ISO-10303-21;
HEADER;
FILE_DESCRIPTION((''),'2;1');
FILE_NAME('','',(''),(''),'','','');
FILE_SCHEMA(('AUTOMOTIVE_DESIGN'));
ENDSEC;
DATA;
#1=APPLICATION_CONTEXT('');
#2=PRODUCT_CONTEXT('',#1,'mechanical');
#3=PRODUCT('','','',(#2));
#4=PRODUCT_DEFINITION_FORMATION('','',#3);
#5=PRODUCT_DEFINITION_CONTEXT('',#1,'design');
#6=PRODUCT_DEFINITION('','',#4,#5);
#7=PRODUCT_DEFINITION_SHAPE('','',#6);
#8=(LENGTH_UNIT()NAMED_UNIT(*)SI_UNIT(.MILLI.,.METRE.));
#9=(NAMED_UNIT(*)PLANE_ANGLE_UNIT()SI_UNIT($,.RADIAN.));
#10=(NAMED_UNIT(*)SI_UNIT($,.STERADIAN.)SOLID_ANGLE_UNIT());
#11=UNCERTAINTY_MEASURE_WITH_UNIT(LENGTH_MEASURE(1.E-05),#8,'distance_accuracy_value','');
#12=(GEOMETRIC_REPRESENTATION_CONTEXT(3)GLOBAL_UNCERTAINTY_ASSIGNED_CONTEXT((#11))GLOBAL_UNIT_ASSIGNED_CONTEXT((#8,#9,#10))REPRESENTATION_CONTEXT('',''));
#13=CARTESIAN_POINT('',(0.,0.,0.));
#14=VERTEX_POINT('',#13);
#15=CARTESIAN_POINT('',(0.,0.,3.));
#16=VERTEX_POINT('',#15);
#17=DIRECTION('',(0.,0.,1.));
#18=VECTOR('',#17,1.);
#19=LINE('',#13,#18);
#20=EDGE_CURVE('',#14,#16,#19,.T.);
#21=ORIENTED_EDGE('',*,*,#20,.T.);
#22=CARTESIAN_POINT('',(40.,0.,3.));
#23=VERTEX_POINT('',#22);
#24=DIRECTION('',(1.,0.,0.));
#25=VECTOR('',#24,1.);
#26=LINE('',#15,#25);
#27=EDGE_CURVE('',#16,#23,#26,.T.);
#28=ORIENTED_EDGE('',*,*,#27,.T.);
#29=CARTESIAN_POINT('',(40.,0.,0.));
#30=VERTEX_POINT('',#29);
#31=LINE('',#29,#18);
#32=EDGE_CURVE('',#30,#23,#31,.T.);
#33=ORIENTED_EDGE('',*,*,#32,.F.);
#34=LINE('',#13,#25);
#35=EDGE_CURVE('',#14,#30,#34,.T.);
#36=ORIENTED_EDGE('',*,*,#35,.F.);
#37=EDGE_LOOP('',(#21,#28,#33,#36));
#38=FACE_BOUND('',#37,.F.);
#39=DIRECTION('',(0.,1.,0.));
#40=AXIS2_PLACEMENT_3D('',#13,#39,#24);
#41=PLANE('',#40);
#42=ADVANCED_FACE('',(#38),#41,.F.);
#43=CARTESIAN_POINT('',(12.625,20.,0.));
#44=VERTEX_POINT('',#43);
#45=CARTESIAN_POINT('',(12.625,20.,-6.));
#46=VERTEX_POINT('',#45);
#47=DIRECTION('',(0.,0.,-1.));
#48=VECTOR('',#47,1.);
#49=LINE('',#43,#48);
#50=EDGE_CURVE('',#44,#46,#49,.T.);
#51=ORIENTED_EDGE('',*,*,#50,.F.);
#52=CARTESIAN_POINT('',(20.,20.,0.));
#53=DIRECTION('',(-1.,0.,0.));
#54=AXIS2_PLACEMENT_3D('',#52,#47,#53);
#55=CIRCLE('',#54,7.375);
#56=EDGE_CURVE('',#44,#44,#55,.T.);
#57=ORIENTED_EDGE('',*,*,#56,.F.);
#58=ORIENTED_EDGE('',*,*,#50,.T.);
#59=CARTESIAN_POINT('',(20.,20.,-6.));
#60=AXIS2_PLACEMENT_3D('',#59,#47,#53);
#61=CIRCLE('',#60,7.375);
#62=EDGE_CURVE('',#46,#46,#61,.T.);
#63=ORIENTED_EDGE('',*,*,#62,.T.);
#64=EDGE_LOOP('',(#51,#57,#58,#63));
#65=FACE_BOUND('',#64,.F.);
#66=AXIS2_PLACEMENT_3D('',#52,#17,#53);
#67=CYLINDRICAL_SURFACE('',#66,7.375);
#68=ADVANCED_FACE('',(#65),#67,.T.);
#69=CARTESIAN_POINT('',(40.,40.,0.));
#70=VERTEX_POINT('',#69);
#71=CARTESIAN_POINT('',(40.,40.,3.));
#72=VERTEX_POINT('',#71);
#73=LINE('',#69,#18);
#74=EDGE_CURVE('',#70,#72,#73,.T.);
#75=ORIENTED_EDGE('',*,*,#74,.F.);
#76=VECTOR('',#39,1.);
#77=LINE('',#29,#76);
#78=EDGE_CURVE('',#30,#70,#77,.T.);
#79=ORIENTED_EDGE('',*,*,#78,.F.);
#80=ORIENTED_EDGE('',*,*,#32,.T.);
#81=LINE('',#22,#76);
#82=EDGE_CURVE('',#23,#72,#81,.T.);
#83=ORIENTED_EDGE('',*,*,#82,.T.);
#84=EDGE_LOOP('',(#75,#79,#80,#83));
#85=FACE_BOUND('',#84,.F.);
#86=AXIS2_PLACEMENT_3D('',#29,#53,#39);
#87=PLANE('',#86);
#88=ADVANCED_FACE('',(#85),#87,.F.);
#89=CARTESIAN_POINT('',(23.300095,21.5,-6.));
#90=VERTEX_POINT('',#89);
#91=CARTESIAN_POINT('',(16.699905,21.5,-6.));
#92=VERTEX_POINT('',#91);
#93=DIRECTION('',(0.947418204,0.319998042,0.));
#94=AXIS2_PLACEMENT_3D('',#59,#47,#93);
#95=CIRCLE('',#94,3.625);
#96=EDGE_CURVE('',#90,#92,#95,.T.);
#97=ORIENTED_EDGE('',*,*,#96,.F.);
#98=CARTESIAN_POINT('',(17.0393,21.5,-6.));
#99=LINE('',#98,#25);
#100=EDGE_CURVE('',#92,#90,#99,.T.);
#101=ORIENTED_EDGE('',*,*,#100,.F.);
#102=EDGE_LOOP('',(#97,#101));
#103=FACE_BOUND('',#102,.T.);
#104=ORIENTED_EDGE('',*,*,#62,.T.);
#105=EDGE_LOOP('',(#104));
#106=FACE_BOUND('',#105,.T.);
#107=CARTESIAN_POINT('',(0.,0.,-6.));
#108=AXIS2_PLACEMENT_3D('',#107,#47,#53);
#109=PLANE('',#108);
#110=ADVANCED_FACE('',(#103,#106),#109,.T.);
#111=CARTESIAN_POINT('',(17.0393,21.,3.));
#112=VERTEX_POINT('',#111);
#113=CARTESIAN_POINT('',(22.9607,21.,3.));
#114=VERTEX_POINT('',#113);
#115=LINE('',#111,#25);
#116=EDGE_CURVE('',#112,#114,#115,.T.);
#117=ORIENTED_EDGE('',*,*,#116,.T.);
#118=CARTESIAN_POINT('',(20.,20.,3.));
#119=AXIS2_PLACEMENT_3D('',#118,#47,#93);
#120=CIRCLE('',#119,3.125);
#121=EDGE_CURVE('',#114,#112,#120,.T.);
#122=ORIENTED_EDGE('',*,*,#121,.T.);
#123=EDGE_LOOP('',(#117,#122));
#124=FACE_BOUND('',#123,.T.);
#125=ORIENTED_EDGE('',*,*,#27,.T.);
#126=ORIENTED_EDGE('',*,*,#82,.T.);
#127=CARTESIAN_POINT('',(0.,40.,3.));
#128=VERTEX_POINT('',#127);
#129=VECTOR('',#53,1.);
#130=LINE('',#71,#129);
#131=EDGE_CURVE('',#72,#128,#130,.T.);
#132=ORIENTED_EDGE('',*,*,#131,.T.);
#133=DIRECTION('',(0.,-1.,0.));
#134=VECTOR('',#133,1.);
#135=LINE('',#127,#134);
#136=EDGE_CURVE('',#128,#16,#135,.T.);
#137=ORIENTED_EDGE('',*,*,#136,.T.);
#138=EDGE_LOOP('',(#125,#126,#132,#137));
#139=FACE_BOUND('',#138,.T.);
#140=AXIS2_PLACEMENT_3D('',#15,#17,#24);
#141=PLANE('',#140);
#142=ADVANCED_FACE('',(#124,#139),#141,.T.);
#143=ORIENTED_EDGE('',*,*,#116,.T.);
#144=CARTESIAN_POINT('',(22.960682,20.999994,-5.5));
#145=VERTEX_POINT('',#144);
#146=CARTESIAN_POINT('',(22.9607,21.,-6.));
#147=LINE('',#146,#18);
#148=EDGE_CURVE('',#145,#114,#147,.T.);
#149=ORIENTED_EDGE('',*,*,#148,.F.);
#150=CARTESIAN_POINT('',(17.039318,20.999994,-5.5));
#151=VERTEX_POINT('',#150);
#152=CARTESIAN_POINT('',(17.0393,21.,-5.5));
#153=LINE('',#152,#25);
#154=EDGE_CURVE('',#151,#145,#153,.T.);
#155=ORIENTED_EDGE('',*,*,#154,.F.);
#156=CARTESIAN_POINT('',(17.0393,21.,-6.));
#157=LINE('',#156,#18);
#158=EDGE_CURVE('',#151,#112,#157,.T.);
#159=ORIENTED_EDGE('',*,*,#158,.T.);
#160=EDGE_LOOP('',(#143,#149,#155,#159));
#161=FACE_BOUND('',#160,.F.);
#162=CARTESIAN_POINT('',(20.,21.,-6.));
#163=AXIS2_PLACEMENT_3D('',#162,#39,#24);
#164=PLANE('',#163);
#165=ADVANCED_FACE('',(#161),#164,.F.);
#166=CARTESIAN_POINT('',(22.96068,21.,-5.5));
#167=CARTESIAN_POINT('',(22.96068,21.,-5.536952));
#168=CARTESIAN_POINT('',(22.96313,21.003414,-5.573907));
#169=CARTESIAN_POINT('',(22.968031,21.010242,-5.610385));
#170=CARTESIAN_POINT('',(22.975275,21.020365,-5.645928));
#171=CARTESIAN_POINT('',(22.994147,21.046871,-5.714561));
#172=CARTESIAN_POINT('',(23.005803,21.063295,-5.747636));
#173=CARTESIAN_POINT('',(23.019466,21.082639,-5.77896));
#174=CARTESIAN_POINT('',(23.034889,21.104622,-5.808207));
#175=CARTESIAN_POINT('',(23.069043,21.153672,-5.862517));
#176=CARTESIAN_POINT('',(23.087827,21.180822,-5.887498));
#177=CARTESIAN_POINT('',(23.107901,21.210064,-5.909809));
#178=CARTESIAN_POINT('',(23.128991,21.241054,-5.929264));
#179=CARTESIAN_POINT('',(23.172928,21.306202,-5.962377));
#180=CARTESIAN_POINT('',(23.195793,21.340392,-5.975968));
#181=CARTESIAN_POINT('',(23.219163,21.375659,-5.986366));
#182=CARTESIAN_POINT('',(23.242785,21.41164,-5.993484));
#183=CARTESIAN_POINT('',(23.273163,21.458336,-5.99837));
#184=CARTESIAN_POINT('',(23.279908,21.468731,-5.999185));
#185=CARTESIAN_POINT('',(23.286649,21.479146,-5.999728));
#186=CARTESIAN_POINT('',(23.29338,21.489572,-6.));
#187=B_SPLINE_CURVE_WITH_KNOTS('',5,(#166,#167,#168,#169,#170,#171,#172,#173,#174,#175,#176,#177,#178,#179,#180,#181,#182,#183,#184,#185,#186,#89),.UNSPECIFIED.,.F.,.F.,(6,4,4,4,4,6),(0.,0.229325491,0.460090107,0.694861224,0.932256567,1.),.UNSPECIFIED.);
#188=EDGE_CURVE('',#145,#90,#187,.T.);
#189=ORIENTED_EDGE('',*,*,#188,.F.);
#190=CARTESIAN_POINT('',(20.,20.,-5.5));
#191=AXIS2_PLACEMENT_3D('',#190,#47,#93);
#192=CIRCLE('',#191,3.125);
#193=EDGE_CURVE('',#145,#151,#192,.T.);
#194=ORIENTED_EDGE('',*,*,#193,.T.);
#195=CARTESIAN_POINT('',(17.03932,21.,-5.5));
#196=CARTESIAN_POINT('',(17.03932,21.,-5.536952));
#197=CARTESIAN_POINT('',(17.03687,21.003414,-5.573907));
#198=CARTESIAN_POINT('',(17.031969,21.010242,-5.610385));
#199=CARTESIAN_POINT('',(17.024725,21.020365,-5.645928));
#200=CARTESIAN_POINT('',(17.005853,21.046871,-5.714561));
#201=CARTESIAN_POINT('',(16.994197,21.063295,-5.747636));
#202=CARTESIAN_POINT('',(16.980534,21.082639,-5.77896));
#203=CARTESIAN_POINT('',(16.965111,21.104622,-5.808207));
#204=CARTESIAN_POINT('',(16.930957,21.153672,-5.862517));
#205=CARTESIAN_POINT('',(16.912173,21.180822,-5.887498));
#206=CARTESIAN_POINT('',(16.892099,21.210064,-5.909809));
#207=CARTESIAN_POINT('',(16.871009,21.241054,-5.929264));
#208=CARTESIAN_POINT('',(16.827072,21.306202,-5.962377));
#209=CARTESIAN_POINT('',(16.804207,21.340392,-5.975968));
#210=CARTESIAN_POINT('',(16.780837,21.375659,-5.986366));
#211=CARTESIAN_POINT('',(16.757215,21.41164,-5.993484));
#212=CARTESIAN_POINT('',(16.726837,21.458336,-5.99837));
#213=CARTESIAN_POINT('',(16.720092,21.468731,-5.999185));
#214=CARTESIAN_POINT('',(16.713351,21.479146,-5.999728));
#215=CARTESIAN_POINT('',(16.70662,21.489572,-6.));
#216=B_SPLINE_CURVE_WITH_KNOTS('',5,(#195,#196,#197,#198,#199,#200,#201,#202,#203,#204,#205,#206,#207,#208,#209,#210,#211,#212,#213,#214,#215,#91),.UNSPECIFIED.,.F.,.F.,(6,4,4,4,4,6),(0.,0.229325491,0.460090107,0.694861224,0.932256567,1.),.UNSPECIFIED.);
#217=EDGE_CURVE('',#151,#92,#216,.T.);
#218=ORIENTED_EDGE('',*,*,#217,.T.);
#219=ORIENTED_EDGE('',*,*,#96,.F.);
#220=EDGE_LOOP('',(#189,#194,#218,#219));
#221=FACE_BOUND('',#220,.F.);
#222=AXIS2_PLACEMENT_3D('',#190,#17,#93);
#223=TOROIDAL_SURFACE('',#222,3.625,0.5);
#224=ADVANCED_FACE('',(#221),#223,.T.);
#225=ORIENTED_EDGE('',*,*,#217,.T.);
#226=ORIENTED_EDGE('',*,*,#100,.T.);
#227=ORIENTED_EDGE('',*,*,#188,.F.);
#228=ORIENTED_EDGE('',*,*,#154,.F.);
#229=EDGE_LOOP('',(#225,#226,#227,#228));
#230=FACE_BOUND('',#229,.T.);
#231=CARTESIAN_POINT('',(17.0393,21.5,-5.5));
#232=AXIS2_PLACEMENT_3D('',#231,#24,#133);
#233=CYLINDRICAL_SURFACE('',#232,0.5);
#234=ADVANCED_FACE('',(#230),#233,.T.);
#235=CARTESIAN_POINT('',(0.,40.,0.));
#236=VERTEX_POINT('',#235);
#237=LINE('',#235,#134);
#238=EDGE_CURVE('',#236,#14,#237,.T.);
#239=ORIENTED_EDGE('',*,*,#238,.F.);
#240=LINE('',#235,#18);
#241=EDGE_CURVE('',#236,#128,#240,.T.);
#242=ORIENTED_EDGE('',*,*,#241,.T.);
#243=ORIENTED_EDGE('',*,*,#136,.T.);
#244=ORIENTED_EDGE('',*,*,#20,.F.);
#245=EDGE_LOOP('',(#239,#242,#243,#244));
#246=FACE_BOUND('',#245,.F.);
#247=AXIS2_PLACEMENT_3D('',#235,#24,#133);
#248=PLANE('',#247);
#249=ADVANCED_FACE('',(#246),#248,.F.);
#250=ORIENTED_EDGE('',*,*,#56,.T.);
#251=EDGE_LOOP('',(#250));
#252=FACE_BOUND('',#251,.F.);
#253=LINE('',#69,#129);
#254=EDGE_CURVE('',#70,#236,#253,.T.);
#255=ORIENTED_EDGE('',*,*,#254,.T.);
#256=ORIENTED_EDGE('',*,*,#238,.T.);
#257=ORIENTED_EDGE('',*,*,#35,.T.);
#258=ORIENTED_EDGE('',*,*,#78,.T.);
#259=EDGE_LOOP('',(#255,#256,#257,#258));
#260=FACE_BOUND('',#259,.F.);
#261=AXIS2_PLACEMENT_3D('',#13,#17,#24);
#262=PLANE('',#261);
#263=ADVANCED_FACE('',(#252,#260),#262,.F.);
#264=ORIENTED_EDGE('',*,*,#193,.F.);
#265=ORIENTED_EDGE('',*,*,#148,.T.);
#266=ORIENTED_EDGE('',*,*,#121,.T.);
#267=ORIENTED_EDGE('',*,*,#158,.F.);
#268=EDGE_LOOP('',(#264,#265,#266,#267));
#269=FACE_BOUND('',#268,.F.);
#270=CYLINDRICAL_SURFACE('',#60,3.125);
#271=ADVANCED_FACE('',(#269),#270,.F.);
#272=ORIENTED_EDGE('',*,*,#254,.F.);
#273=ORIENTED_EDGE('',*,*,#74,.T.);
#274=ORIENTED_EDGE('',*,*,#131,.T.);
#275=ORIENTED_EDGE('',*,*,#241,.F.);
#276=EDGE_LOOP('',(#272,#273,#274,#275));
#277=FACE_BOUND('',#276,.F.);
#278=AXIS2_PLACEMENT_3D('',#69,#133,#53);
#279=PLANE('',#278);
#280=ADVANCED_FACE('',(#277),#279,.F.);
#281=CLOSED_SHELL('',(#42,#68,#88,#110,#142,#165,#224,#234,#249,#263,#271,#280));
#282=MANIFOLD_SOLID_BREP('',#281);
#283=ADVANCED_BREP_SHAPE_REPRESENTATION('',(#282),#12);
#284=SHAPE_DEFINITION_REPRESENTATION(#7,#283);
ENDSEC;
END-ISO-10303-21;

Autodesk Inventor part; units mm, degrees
ref_plane "YZ Plane" through (0, 0, 0) normal (1, 0, 0) x (0, 1, 0)
ref_plane "XZ Plane" through (0, 0, 0) normal (0, 1, 0) x (-1, 0, 0)
ref_plane "XY Plane" through (0, 0, 0) normal (0, 0, 1) x (1, 0, 0)
sketch "Sketch8" plane through (0, 0, 0) normal (0, 0, 1) x (1, 0, 0)
  line L0 (0, 0) -> (40, 0)
  line L1 (40, 0) -> (40, 40)
  line L2 (40, 40) -> (0, 40)
  line L3 (0, 40) -> (0, 0)
  dimension "d35" = 40
  dimension "d36" = 40
extrude "Extrusion8" add sketch "Sketch8" along normal blind 3
sketch "Sketch9" plane through (0, 0, 0) normal (0, 0, -1) x (-1, 0, 0)
  line L0 (0, 40) -> (0, 0) projected
  line L1 (0, 20) -> (-20, 20)
  circle A0 centre (-20, 20) radius 7.375
  dimension "d39" = 20
  dimension "d40" = 14.75
extrude "Extrusion9" add sketch "Sketch9" along normal blind 6
sketch "Sketch10" plane through (20, 20, -6) normal (0, 0, -1) x (-1, 0, 0)
  circle A0 centre (0, 0) radius 3.125
  line L0 (0, 0) -> (0, 1)
  line L1 (0, 1) -> (-2.9607, 1)
  line L2 (0, 1) -> (2.9607, 1)
  point P0 (20, -20)
  dimension "d43" = 6.25
  dimension "d44" = 1
extrude "Extrusion10" cut sketch "Sketch10" against normal up to next contours A0 L1 L2 picked at (-0.0807, -1.7325)
fillet "Fillet1" radius 0.5 2 edges at (20, 16.875, -6) (20, 21, -6)
equation "\"BendRadius\" = Thickness"
equation "\"BendReliefWidth\" = Thickness"
equation "\"BendReliefDepth\" = 0.5 * Thickness"
equation "\"CornerReliefSize\" = 4 * Thickness"
equation "\"MinimumRemnant\" = 2 * Thickness"
equation "\"TransitionRadius\" = BendRadius"
equation "\"JacobiRadiusSize\" = BendRadius"
equation "\"GapSize\" = Thickness"
equation "\"Thickness\" = 0.5"
properties part number "baseRotor1"
